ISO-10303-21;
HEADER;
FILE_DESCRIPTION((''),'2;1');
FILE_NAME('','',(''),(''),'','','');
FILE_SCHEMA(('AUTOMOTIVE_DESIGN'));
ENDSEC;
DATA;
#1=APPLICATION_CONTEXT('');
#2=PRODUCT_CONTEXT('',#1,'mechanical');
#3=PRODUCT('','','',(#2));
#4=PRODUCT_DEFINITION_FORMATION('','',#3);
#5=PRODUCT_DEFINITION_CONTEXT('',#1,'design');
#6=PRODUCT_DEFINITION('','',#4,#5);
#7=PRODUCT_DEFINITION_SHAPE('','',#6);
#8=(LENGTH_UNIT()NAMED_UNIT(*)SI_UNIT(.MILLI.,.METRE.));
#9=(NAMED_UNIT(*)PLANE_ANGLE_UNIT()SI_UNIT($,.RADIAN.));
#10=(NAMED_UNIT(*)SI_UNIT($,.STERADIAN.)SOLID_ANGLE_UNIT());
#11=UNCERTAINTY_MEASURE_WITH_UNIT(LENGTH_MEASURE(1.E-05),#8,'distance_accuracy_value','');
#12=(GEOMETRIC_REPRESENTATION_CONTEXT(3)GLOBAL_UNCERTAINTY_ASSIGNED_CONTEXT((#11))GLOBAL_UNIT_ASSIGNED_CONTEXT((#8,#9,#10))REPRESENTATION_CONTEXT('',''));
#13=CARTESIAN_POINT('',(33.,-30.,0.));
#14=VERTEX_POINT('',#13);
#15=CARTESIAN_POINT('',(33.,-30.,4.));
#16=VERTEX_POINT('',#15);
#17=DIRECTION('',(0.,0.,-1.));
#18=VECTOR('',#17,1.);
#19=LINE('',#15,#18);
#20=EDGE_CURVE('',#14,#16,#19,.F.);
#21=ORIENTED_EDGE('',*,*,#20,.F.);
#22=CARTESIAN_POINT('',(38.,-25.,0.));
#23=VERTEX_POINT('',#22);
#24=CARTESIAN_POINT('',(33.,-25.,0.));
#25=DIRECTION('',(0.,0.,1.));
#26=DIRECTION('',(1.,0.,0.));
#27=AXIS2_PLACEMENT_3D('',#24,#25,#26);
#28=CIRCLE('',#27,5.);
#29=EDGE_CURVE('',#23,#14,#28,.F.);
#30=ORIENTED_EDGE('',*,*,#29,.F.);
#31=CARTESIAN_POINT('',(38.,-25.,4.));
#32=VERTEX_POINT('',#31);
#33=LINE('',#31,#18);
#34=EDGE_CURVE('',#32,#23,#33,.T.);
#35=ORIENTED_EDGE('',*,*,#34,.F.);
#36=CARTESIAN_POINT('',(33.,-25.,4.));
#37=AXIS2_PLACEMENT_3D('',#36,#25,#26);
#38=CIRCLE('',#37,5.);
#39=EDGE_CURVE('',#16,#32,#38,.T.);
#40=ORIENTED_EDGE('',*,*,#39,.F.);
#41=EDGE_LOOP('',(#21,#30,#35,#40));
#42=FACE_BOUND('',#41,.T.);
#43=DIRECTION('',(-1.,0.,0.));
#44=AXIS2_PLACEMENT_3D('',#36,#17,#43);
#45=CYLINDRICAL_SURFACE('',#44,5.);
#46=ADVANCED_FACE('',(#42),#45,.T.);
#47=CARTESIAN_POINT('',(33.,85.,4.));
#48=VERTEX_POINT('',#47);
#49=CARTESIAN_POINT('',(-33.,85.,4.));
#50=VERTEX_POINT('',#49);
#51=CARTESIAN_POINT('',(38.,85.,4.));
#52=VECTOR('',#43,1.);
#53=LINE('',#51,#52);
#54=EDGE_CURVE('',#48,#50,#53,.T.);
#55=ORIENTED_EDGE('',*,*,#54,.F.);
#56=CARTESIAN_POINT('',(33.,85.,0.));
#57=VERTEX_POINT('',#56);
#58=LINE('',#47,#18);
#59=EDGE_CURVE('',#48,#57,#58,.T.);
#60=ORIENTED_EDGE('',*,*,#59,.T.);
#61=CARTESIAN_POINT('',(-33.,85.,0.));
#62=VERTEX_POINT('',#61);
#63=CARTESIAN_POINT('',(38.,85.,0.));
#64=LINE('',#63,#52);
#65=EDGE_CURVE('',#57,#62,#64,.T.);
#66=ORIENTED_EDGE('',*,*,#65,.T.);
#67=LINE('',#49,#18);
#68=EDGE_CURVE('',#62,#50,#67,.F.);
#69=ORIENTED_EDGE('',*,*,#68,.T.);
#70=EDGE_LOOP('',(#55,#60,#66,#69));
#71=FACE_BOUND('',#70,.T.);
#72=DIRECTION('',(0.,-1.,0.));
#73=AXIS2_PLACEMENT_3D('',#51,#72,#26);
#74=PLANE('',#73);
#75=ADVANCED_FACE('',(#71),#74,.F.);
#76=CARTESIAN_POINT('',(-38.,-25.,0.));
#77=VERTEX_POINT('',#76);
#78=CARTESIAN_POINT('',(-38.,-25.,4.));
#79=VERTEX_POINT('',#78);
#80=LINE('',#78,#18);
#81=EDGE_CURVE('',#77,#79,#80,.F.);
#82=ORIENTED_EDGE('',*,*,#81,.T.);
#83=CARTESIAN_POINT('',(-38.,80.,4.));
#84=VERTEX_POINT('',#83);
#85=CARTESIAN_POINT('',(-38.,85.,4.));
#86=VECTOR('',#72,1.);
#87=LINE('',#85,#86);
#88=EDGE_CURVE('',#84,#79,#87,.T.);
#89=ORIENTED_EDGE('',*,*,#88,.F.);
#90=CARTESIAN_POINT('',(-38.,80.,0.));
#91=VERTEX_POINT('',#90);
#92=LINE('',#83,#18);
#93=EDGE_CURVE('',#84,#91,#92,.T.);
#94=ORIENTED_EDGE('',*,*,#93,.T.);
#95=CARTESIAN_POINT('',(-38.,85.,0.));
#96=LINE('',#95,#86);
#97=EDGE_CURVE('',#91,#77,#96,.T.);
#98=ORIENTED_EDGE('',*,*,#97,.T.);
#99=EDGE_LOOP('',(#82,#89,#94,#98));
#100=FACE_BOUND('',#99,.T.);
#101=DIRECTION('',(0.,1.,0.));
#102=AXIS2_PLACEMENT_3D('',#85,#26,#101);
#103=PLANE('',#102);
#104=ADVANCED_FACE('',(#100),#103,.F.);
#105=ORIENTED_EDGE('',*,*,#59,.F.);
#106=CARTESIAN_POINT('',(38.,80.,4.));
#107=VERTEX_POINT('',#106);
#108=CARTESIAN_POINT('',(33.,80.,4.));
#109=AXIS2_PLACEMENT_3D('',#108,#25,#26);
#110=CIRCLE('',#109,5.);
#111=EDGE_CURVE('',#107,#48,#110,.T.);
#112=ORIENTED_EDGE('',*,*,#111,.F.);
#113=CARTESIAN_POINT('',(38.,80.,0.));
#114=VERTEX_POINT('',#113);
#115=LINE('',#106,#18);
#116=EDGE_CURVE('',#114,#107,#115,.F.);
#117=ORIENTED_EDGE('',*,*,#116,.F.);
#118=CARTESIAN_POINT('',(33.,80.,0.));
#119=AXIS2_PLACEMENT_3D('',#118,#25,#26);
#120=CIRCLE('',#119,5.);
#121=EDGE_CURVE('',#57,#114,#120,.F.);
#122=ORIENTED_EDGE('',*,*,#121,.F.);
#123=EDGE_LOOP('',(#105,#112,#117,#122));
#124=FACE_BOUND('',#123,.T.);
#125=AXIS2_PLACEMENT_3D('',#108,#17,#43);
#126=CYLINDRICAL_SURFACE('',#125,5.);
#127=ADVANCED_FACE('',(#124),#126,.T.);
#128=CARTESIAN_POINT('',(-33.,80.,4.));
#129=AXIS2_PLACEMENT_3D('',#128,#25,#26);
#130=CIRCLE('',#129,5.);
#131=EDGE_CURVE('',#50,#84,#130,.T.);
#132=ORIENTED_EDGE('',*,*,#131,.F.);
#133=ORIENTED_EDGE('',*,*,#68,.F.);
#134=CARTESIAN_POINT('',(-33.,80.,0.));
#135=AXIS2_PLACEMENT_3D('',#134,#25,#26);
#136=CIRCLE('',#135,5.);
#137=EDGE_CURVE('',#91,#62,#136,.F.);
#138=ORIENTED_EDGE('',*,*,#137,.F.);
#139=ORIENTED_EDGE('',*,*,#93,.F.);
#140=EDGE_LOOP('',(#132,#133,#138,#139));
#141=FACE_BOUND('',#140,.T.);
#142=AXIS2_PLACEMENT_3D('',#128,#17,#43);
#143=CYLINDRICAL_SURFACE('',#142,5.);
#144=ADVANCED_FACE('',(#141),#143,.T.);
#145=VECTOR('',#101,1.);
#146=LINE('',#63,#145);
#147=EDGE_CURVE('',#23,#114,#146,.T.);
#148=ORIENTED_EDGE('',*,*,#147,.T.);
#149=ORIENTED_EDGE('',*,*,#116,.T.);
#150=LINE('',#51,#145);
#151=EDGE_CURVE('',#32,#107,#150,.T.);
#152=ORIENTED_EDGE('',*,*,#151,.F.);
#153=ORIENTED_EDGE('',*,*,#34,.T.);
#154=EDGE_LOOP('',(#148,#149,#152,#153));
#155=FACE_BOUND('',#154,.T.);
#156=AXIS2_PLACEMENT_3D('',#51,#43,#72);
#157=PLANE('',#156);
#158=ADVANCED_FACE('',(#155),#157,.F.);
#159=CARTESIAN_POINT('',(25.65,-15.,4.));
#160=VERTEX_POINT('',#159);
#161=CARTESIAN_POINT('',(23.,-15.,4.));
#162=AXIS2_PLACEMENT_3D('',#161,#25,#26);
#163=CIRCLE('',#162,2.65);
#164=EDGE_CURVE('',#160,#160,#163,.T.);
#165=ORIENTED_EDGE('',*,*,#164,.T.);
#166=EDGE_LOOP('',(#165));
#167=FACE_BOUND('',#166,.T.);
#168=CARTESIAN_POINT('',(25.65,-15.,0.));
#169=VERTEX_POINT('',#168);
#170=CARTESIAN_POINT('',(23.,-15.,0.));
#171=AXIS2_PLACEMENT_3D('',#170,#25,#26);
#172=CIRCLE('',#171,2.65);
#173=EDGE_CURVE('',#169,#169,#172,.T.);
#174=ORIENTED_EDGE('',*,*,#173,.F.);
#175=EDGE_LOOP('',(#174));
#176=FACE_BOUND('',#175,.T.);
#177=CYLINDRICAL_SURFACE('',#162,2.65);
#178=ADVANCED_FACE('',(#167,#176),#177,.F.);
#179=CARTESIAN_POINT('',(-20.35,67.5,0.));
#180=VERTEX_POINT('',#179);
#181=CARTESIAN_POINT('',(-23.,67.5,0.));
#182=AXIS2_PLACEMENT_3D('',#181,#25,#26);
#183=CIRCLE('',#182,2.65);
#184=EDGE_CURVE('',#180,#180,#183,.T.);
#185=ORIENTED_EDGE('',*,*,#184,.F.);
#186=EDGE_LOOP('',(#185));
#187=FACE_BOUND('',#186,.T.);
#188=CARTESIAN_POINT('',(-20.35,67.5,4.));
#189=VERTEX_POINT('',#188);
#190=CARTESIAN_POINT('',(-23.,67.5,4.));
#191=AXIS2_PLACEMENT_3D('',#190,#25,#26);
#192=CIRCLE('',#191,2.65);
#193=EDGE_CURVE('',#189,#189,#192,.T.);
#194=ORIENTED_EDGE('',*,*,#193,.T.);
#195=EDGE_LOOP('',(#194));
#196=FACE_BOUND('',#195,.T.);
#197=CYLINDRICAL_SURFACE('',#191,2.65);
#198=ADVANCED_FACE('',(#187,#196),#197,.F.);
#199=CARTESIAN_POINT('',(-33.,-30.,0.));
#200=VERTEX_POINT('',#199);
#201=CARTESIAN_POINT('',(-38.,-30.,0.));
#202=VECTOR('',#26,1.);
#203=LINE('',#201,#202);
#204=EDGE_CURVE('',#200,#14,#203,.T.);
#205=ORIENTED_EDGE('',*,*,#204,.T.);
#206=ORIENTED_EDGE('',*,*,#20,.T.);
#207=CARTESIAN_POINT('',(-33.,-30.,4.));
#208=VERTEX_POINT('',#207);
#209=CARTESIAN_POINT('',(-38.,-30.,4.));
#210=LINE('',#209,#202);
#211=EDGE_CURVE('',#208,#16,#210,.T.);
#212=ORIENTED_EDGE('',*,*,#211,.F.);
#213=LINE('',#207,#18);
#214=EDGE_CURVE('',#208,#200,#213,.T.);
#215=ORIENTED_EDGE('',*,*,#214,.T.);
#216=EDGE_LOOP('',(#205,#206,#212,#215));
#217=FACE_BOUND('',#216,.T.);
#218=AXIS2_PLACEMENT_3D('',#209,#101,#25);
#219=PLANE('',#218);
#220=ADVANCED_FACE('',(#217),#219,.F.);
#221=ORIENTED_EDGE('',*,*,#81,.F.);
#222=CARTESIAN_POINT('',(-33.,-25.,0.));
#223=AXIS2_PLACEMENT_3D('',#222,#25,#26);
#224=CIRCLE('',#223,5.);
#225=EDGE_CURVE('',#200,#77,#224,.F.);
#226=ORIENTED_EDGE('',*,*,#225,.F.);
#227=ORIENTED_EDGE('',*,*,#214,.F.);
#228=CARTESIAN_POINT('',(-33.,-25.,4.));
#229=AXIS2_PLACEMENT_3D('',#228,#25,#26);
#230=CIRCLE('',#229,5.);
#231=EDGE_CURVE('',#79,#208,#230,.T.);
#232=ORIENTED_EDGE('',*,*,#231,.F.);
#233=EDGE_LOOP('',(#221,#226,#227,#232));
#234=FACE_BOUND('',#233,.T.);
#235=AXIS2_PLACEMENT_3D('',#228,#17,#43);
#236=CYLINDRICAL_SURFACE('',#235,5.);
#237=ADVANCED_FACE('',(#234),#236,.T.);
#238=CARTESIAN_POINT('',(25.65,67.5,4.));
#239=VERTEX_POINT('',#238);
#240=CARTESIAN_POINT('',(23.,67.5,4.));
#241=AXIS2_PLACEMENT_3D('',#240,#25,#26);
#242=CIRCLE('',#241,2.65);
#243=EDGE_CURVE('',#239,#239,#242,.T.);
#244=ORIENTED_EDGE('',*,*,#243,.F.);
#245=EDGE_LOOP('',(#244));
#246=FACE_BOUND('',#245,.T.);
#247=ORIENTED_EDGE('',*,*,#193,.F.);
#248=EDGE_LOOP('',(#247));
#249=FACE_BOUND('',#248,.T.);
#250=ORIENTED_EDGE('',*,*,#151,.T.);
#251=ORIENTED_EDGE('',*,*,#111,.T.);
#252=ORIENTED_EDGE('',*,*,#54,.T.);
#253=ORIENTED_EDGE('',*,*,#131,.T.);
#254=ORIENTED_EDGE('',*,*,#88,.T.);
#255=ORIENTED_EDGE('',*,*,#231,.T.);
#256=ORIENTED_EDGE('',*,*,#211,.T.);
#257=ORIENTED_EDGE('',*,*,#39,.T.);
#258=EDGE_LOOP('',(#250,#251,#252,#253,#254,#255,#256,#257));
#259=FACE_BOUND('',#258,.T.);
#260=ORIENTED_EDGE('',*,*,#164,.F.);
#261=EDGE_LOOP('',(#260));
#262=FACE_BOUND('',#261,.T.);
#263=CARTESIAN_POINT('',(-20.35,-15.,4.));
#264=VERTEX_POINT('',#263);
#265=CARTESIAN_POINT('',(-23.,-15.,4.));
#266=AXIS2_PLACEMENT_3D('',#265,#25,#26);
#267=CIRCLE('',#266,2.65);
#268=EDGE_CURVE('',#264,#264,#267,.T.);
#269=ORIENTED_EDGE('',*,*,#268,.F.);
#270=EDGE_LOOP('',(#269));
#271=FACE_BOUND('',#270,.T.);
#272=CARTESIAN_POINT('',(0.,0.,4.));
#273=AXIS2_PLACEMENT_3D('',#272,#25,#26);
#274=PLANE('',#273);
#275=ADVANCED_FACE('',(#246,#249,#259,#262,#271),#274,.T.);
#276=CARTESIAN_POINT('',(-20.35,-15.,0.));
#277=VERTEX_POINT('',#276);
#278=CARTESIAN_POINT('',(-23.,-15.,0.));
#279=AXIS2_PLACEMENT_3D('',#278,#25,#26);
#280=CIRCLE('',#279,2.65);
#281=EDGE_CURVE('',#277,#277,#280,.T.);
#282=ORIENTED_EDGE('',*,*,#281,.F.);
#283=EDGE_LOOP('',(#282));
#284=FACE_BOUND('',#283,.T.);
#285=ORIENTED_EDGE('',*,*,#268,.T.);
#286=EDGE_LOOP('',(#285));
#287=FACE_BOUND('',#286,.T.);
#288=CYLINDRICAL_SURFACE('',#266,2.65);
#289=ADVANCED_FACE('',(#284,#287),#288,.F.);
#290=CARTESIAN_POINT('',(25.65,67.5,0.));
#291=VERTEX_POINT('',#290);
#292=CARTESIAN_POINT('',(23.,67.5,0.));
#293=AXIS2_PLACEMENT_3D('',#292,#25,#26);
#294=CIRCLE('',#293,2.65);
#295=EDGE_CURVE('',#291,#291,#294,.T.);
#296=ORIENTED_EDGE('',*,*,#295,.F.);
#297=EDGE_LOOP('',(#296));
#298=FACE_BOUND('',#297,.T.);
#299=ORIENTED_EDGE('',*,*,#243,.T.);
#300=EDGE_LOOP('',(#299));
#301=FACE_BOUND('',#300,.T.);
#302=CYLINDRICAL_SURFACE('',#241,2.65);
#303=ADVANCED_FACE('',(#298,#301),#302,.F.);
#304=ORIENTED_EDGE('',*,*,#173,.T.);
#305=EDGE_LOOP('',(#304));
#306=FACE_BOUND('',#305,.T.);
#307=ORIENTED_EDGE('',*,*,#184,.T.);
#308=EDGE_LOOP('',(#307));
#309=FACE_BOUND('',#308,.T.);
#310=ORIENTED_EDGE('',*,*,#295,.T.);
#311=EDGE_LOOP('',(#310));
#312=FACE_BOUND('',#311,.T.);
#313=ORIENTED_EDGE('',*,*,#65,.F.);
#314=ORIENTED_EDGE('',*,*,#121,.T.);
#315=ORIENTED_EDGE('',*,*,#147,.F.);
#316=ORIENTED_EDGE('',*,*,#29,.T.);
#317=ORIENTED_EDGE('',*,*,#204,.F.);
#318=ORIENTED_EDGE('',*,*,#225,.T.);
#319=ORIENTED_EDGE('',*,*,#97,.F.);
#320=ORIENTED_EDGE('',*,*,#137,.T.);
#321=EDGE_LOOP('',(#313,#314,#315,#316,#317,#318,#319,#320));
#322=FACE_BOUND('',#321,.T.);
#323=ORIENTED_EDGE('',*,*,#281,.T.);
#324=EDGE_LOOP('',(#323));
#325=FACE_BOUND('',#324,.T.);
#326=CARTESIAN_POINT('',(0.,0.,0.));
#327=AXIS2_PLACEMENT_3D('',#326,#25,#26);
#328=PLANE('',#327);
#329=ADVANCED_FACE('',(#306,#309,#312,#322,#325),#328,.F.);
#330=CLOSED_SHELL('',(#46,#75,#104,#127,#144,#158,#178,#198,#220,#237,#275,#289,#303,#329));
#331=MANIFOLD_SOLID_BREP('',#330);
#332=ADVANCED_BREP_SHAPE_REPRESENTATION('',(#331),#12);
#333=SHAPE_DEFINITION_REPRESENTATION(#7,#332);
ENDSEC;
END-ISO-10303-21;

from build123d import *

# Parameters (mm, degrees)
SKETCH1_W            = 76
SKETCH1_H            = 115
BOSS_EXTRUDE1_DEPTH  = 4
M5_CLEARANCE_HOLE1_D = 5.3
FILLET1_R            = 5


with BuildPart() as part:
    # Sketch1 → Boss-Extrude1 (new body)
    with BuildSketch(Plane.XY):
        with Locations((0, 27.5)):
            Rectangle(SKETCH1_W, SKETCH1_H)
    extrude(amount=BOSS_EXTRUDE1_DEPTH)

    # M5 Clearance Hole1 (through all)
    with Locations(Plane.XY.offset(4)):
        with Locations((-23, 67.5), (-23, -15), (23, -15), (23, 67.5)):
            Hole(M5_CLEARANCE_HOLE1_D / 2)

    # Fillet1
    fillet1_edges = [part.edges().sort_by_distance(p)[0] for p in [
        (-38, 85, 2),
        (38, 85, 2),
        (38, -30, 2),
        (-38, -30, 2),
    ]]
    fillet(fillet1_edges, radius=FILLET1_R)


solid = part.part
